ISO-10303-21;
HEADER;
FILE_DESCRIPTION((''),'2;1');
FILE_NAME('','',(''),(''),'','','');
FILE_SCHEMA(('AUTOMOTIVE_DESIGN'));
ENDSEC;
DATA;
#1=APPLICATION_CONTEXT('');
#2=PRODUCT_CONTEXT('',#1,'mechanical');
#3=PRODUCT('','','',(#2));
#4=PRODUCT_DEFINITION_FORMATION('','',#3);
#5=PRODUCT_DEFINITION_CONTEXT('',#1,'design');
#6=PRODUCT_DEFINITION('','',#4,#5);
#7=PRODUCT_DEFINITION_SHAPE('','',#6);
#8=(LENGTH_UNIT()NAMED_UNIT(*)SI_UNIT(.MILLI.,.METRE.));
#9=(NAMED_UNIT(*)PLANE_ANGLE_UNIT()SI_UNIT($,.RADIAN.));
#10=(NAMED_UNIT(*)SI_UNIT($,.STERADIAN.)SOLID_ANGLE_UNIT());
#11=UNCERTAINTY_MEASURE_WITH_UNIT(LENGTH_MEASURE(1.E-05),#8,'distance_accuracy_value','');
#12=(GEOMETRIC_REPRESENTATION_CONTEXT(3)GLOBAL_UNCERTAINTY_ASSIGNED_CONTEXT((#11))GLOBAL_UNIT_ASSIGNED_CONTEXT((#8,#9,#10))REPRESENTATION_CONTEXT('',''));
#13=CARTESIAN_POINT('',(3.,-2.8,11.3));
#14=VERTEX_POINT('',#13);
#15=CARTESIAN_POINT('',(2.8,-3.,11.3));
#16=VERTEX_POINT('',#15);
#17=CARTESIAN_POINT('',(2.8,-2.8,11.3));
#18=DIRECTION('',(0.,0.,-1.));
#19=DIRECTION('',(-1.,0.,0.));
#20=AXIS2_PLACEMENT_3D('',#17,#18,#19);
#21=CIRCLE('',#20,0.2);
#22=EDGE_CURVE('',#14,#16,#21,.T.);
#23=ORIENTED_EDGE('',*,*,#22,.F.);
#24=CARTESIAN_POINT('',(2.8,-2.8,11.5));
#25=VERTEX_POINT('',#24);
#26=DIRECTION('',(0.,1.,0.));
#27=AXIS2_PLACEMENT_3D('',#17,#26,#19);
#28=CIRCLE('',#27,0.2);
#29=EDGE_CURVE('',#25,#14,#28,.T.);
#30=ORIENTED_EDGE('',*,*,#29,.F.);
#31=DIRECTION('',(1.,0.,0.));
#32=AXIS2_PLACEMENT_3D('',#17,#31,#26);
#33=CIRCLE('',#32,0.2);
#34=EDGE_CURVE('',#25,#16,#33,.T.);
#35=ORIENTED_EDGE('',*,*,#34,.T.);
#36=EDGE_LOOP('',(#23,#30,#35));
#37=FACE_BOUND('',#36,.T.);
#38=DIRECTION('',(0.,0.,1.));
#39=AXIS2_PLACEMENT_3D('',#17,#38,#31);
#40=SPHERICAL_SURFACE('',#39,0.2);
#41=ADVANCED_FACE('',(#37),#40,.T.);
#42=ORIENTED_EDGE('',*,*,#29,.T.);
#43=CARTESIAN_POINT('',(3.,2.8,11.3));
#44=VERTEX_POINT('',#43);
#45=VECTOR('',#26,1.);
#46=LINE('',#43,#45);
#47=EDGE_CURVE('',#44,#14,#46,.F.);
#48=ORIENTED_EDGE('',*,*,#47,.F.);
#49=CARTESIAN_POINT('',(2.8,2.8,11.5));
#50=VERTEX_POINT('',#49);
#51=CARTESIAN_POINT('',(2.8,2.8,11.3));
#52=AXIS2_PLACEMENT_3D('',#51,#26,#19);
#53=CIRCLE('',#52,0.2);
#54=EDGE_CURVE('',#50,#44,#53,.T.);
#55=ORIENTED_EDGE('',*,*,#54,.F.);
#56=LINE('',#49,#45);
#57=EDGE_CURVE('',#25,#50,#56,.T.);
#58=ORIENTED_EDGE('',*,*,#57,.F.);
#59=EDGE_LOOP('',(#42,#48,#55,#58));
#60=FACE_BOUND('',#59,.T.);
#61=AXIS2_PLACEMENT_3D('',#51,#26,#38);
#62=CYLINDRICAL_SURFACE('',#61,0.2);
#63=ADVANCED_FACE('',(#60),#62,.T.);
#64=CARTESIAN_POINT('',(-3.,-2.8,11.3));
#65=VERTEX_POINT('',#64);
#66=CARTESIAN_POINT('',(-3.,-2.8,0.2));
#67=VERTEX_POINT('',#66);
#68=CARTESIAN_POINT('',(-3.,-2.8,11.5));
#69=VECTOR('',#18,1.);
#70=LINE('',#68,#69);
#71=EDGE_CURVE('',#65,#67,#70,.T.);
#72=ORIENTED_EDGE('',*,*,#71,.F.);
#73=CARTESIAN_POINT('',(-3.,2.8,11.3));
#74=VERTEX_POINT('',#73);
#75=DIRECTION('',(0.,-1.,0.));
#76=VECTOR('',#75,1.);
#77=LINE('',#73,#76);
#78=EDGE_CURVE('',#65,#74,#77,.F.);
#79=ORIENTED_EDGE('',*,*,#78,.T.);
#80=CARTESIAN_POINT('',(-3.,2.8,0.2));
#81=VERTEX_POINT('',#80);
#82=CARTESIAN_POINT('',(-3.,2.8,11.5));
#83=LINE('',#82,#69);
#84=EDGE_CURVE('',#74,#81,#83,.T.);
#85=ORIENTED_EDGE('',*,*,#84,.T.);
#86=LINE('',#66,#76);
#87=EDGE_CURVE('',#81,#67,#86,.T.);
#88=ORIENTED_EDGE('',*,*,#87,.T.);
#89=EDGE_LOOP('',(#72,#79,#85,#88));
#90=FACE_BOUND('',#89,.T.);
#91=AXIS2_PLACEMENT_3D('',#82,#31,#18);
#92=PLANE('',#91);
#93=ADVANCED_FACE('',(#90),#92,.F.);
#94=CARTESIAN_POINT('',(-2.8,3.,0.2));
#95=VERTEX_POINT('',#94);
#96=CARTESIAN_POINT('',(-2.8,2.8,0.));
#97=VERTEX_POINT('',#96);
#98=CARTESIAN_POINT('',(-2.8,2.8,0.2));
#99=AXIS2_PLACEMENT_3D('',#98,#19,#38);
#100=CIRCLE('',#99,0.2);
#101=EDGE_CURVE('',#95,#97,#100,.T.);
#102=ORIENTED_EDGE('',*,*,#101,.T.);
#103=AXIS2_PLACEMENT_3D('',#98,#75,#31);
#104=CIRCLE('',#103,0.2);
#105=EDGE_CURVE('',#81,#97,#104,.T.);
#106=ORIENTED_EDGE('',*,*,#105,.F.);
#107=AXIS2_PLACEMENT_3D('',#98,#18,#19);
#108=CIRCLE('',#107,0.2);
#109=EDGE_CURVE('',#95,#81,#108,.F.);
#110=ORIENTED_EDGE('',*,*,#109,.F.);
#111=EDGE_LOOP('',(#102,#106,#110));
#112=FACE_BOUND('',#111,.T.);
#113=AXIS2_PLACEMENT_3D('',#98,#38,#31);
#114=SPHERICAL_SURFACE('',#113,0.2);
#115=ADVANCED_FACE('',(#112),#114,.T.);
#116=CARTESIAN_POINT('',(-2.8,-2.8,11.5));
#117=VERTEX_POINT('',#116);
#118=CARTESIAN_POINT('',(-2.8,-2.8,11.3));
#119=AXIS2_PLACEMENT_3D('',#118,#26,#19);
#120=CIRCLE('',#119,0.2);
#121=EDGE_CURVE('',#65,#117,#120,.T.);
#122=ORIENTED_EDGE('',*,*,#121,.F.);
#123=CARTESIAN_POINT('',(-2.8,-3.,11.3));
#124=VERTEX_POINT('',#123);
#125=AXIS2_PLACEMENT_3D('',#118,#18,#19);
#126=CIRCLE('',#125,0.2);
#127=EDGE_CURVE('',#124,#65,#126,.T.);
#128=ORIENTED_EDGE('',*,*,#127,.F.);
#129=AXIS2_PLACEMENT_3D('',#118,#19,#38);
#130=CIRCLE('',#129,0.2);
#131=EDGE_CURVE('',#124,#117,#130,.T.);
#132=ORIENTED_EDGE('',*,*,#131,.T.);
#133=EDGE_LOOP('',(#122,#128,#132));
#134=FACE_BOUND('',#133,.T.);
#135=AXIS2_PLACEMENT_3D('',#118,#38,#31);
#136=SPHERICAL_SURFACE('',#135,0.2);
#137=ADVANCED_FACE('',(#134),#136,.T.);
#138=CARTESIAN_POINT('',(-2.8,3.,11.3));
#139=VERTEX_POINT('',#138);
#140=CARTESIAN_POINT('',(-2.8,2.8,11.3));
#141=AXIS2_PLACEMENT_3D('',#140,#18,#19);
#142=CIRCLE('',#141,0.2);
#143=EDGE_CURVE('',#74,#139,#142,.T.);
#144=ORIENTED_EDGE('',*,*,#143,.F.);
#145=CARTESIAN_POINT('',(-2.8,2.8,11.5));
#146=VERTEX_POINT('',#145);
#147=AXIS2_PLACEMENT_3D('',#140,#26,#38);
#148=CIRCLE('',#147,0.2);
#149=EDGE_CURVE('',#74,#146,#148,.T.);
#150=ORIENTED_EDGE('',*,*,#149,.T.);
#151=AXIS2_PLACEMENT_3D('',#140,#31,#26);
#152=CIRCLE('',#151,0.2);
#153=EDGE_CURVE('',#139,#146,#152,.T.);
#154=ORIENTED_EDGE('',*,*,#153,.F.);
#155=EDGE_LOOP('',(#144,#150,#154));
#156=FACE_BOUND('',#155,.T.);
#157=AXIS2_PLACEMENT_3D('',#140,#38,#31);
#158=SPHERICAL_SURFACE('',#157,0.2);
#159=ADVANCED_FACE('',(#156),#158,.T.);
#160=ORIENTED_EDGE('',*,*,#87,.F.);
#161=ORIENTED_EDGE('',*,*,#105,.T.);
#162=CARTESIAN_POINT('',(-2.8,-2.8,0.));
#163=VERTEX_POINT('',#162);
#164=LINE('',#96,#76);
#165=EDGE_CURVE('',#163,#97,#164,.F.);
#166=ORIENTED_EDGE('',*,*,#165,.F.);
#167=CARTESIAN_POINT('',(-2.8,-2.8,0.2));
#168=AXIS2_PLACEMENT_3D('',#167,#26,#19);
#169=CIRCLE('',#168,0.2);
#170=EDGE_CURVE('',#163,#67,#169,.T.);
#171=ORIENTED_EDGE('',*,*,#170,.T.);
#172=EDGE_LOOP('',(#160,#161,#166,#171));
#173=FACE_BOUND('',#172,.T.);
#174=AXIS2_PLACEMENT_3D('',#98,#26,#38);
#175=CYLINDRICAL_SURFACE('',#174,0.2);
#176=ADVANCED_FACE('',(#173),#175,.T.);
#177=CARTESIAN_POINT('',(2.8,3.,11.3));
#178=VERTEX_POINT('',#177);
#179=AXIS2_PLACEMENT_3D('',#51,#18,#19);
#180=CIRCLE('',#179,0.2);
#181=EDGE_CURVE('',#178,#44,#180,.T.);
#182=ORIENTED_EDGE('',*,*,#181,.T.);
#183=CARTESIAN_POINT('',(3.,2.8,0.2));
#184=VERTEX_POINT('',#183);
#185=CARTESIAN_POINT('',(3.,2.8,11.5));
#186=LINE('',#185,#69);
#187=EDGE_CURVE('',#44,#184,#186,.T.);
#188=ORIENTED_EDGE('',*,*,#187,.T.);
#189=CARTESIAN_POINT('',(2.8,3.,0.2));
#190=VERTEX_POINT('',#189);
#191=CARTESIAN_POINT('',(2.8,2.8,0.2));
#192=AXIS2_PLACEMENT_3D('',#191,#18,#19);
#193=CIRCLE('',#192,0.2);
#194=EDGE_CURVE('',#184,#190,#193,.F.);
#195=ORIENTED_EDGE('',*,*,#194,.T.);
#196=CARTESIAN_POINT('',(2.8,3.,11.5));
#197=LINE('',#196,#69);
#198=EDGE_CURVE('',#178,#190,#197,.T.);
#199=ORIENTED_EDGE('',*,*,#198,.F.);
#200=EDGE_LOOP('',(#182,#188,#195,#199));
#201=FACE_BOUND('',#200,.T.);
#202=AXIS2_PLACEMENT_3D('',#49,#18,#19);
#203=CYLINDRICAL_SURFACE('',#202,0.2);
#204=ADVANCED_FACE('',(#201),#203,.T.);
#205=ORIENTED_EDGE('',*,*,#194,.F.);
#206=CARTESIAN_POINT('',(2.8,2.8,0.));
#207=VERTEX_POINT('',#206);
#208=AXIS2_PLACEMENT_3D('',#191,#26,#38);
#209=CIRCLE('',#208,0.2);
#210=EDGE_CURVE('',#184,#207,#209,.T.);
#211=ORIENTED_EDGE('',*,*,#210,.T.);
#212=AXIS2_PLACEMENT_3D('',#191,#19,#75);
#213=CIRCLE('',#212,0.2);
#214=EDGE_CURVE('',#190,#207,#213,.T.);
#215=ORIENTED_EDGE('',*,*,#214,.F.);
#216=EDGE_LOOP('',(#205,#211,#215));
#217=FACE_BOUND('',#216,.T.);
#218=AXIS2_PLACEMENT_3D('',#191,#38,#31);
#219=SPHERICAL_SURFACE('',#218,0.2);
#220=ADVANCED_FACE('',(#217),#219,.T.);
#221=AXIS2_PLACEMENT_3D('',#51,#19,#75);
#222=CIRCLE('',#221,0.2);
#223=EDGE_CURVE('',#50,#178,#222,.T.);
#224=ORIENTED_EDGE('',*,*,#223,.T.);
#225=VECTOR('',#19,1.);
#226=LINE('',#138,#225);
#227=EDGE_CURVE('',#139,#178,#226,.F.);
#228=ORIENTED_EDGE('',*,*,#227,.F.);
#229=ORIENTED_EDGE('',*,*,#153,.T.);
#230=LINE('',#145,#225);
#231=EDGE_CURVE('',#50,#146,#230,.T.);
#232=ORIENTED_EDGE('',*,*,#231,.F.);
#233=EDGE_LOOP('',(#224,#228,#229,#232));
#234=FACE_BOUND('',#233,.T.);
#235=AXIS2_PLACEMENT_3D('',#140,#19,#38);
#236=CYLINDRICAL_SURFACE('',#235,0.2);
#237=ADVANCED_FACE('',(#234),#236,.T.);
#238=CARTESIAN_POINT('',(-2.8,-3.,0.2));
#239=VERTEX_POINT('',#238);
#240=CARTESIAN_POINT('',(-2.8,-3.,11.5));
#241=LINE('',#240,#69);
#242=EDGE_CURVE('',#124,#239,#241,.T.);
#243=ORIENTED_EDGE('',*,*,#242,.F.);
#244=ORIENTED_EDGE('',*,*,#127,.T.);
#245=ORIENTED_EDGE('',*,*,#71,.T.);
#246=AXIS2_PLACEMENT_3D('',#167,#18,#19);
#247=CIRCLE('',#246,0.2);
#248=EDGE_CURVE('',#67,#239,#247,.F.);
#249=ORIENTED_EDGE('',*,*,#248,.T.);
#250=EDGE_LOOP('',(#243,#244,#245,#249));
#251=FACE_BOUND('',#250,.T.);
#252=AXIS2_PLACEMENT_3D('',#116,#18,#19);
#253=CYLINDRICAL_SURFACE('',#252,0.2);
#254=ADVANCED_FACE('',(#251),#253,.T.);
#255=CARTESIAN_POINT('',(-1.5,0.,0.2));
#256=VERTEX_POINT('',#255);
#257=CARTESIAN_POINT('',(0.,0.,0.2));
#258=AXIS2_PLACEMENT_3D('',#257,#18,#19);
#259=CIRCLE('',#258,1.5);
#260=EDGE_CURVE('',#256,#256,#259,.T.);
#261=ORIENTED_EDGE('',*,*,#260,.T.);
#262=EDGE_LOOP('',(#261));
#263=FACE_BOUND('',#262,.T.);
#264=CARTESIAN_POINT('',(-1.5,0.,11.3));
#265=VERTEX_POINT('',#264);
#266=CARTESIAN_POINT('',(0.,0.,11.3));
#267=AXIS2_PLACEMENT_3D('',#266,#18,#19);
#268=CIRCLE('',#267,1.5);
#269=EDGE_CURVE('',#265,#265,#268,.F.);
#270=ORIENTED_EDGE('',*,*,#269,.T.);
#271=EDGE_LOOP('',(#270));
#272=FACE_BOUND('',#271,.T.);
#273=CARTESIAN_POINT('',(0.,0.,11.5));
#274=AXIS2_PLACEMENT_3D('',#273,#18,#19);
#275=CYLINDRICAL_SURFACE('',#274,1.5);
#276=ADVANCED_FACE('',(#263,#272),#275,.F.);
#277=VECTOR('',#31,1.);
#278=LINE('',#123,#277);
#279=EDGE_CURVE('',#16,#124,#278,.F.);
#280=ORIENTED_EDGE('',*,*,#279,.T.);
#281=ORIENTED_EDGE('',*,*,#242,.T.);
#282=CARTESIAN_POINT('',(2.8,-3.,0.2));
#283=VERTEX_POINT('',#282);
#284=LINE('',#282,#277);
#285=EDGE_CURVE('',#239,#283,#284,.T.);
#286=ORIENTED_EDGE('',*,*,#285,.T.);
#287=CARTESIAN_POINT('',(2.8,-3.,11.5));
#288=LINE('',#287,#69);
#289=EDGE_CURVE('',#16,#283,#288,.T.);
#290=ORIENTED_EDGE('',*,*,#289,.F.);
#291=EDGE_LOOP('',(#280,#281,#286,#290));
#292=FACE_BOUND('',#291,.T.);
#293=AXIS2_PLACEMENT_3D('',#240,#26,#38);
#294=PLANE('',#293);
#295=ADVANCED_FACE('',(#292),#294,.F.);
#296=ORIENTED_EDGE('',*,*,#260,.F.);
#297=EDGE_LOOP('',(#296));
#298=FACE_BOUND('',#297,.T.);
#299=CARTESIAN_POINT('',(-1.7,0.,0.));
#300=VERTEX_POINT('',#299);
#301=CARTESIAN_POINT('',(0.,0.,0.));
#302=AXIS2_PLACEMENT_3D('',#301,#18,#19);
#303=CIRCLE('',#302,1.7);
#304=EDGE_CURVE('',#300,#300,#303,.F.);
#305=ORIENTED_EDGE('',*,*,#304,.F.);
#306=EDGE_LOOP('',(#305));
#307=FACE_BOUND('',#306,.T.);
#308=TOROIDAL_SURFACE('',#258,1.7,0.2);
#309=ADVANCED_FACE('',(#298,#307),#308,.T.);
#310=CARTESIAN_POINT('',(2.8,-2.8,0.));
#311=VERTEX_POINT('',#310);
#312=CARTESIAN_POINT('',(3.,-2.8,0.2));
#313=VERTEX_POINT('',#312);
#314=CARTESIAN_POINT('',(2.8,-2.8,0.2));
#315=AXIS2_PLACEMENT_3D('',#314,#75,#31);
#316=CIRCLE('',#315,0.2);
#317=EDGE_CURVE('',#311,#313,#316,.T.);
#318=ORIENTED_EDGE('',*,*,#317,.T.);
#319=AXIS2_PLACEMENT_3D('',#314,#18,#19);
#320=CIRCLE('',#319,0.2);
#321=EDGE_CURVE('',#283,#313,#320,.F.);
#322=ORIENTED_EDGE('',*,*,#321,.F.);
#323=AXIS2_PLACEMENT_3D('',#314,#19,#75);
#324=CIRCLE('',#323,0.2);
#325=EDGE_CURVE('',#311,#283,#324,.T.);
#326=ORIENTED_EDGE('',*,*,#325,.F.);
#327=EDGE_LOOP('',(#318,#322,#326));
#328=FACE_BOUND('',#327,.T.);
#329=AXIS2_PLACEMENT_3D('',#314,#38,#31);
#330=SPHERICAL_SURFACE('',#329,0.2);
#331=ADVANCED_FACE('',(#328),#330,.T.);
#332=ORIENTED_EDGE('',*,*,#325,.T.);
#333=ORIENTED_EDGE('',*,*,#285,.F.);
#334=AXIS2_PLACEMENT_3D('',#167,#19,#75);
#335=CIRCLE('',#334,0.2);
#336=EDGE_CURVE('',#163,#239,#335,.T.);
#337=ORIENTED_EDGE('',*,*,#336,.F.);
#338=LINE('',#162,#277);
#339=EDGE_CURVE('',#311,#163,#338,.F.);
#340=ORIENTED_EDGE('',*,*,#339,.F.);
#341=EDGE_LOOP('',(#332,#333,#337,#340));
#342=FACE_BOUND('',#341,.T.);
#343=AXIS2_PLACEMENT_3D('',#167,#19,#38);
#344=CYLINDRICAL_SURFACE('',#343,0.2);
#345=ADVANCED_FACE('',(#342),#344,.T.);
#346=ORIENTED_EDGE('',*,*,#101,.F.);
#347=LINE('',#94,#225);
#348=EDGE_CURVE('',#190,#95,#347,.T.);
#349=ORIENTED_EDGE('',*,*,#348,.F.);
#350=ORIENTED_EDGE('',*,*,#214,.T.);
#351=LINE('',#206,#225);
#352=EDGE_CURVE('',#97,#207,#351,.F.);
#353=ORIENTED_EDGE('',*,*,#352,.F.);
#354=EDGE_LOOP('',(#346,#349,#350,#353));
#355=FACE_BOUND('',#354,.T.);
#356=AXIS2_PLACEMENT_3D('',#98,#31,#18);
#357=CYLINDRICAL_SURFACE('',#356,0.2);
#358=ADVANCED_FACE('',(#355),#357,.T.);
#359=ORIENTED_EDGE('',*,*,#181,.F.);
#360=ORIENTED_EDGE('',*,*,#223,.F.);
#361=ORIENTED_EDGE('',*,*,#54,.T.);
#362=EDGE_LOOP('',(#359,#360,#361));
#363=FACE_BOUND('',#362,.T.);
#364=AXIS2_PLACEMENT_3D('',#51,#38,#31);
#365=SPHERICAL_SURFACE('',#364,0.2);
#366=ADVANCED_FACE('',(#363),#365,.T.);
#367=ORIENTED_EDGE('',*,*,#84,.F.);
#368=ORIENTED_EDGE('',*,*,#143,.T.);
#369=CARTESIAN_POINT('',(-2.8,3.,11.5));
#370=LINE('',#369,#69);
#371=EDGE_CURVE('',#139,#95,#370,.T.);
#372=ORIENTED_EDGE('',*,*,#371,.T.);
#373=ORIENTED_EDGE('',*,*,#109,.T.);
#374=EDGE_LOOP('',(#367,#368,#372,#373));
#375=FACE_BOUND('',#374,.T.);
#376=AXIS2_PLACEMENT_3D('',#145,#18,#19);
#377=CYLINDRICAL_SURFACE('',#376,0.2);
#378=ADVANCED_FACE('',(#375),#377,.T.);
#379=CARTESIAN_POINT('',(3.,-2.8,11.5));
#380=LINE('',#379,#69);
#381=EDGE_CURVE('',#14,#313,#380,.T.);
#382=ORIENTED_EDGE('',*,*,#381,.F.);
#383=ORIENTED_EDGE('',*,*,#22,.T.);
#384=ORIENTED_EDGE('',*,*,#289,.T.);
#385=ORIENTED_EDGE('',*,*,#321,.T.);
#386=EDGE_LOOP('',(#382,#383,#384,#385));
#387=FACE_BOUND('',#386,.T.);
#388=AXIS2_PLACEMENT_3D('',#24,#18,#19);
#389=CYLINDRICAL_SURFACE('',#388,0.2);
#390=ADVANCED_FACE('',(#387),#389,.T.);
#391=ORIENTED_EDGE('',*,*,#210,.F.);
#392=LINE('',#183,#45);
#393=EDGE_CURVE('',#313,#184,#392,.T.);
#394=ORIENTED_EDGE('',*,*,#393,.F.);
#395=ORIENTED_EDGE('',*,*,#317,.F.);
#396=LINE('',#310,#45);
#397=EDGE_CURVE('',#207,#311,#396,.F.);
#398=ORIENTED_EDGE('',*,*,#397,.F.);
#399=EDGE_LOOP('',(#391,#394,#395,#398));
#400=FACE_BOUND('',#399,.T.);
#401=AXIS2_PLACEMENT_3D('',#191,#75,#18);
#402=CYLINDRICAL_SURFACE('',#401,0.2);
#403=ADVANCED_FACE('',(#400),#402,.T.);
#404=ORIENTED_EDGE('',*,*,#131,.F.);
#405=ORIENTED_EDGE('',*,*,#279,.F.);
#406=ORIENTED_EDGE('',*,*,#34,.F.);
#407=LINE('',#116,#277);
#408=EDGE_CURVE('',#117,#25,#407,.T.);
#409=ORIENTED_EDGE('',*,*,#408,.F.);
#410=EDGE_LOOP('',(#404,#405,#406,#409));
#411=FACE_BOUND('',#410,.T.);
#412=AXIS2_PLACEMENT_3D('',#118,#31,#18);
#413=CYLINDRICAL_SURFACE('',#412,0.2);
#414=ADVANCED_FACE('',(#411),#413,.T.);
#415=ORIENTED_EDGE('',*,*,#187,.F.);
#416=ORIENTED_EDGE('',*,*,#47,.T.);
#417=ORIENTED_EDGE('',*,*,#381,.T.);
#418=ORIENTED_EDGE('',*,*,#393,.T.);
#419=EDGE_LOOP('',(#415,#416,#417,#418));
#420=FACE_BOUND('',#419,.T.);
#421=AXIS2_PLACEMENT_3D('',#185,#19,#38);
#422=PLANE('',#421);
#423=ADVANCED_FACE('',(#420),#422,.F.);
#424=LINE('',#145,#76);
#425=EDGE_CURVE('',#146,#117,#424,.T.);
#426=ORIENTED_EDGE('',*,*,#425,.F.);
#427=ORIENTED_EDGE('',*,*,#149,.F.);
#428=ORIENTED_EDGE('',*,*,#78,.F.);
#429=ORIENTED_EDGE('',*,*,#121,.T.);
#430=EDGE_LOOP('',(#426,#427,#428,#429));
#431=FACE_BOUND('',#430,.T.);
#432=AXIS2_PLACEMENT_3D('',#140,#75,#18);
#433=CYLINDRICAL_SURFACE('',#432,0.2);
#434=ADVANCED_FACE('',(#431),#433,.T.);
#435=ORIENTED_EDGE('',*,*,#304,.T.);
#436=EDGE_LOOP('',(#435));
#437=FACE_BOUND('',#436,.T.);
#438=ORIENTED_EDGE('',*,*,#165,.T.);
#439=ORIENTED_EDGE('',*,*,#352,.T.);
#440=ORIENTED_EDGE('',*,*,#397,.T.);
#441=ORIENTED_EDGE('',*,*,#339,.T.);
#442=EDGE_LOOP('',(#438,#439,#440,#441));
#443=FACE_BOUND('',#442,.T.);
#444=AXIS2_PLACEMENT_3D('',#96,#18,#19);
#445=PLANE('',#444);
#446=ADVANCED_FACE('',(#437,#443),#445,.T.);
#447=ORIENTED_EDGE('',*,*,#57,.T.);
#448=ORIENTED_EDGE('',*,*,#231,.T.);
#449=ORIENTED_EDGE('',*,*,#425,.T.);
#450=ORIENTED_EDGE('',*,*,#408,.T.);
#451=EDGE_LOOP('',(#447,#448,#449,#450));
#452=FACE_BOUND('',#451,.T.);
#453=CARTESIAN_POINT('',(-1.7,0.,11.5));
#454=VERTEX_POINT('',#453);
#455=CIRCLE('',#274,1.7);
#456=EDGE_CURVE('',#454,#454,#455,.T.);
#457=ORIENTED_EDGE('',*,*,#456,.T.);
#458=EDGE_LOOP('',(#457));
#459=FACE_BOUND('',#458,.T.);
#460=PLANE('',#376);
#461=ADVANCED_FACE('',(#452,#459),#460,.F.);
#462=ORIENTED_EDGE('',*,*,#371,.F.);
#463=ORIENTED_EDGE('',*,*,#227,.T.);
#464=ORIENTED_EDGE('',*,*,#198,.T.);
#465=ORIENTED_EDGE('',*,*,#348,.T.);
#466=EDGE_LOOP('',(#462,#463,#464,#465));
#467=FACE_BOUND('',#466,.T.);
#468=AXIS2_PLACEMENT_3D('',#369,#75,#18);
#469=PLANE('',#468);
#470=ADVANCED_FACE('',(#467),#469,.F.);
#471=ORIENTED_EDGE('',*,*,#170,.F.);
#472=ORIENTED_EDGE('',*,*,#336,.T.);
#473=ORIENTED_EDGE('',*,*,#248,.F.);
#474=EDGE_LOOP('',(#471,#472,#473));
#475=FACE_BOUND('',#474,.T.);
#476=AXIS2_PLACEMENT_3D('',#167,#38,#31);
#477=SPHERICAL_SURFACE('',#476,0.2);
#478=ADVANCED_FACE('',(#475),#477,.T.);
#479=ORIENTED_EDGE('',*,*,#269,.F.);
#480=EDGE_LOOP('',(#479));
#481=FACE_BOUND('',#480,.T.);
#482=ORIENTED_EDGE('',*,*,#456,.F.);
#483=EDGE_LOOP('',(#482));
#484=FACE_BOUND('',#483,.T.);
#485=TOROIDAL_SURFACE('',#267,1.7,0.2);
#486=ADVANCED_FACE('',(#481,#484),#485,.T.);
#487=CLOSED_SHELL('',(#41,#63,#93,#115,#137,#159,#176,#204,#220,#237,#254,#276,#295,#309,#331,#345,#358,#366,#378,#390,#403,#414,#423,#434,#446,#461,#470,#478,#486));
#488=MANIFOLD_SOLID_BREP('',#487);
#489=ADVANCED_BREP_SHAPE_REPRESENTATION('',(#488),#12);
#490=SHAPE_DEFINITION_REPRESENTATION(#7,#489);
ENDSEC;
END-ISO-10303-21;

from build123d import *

# Parameters (mm, degrees)
ESQUISSE1_R      = 1.5
EXTRUSION1_DEPTH = 11.5
CONG_1_R         = 0.2


with BuildPart() as part:
    # Esquisse1 → Extrusion1 (new body)
    with BuildSketch(Plane.XY):
        with BuildLine():
            Line((-2.8, 3), (2.8, 3))
            ThreePointArc((2.8, 3), (2.941421356, 2.941421356), (3, 2.8))
            Line((3, 2.8), (3, -2.8))
            ThreePointArc((3, -2.8), (2.941421356, -2.941421356), (2.8, -3))
            Line((2.8, -3), (-2.8, -3))
            ThreePointArc((-2.8, -3), (-2.941421356, -2.941421356), (-3, -2.8))
            Line((-3, -2.8), (-3, 2.8))
            ThreePointArc((-3, 2.8), (-2.941421356, 2.941421356), (-2.8, 3))
        make_face()
        with Locations(Location((0, 0, 0), (0, 0, 180))):
            Circle(ESQUISSE1_R, mode=Mode.SUBTRACT)
    extrude(amount=EXTRUSION1_DEPTH)

    # Congé1
    cong_1_edges = [part.edges().sort_by_distance(p)[0] for p in [
        (0, 3, 0),
        (0, 3, 11.5),
        (2.941421356, 2.941421356, 0),
        (2.941421356, 2.941421356, 11.5),
        (3, 0, 0),
        (3, 0, 11.5),
        (2.941421356, -2.941421356, 0),
        (2.941421356, -2.941421356, 11.5),
        (0, -3, 0),
        (0, -3, 11.5),
        (-2.941421356, -2.941421356, 0),
        (-2.941421356, -2.941421356, 11.5),
        (-3, 0, 0),
        (-3, 0, 11.5),
        (-2.941421356, 2.941421356, 0),
        (-2.941421356, 2.941421356, 11.5),
        (1.5, 0, 0),
        (1.5, 0, 11.5),
    ]]
    fillet(cong_1_edges, radius=CONG_1_R)


solid = part.part
